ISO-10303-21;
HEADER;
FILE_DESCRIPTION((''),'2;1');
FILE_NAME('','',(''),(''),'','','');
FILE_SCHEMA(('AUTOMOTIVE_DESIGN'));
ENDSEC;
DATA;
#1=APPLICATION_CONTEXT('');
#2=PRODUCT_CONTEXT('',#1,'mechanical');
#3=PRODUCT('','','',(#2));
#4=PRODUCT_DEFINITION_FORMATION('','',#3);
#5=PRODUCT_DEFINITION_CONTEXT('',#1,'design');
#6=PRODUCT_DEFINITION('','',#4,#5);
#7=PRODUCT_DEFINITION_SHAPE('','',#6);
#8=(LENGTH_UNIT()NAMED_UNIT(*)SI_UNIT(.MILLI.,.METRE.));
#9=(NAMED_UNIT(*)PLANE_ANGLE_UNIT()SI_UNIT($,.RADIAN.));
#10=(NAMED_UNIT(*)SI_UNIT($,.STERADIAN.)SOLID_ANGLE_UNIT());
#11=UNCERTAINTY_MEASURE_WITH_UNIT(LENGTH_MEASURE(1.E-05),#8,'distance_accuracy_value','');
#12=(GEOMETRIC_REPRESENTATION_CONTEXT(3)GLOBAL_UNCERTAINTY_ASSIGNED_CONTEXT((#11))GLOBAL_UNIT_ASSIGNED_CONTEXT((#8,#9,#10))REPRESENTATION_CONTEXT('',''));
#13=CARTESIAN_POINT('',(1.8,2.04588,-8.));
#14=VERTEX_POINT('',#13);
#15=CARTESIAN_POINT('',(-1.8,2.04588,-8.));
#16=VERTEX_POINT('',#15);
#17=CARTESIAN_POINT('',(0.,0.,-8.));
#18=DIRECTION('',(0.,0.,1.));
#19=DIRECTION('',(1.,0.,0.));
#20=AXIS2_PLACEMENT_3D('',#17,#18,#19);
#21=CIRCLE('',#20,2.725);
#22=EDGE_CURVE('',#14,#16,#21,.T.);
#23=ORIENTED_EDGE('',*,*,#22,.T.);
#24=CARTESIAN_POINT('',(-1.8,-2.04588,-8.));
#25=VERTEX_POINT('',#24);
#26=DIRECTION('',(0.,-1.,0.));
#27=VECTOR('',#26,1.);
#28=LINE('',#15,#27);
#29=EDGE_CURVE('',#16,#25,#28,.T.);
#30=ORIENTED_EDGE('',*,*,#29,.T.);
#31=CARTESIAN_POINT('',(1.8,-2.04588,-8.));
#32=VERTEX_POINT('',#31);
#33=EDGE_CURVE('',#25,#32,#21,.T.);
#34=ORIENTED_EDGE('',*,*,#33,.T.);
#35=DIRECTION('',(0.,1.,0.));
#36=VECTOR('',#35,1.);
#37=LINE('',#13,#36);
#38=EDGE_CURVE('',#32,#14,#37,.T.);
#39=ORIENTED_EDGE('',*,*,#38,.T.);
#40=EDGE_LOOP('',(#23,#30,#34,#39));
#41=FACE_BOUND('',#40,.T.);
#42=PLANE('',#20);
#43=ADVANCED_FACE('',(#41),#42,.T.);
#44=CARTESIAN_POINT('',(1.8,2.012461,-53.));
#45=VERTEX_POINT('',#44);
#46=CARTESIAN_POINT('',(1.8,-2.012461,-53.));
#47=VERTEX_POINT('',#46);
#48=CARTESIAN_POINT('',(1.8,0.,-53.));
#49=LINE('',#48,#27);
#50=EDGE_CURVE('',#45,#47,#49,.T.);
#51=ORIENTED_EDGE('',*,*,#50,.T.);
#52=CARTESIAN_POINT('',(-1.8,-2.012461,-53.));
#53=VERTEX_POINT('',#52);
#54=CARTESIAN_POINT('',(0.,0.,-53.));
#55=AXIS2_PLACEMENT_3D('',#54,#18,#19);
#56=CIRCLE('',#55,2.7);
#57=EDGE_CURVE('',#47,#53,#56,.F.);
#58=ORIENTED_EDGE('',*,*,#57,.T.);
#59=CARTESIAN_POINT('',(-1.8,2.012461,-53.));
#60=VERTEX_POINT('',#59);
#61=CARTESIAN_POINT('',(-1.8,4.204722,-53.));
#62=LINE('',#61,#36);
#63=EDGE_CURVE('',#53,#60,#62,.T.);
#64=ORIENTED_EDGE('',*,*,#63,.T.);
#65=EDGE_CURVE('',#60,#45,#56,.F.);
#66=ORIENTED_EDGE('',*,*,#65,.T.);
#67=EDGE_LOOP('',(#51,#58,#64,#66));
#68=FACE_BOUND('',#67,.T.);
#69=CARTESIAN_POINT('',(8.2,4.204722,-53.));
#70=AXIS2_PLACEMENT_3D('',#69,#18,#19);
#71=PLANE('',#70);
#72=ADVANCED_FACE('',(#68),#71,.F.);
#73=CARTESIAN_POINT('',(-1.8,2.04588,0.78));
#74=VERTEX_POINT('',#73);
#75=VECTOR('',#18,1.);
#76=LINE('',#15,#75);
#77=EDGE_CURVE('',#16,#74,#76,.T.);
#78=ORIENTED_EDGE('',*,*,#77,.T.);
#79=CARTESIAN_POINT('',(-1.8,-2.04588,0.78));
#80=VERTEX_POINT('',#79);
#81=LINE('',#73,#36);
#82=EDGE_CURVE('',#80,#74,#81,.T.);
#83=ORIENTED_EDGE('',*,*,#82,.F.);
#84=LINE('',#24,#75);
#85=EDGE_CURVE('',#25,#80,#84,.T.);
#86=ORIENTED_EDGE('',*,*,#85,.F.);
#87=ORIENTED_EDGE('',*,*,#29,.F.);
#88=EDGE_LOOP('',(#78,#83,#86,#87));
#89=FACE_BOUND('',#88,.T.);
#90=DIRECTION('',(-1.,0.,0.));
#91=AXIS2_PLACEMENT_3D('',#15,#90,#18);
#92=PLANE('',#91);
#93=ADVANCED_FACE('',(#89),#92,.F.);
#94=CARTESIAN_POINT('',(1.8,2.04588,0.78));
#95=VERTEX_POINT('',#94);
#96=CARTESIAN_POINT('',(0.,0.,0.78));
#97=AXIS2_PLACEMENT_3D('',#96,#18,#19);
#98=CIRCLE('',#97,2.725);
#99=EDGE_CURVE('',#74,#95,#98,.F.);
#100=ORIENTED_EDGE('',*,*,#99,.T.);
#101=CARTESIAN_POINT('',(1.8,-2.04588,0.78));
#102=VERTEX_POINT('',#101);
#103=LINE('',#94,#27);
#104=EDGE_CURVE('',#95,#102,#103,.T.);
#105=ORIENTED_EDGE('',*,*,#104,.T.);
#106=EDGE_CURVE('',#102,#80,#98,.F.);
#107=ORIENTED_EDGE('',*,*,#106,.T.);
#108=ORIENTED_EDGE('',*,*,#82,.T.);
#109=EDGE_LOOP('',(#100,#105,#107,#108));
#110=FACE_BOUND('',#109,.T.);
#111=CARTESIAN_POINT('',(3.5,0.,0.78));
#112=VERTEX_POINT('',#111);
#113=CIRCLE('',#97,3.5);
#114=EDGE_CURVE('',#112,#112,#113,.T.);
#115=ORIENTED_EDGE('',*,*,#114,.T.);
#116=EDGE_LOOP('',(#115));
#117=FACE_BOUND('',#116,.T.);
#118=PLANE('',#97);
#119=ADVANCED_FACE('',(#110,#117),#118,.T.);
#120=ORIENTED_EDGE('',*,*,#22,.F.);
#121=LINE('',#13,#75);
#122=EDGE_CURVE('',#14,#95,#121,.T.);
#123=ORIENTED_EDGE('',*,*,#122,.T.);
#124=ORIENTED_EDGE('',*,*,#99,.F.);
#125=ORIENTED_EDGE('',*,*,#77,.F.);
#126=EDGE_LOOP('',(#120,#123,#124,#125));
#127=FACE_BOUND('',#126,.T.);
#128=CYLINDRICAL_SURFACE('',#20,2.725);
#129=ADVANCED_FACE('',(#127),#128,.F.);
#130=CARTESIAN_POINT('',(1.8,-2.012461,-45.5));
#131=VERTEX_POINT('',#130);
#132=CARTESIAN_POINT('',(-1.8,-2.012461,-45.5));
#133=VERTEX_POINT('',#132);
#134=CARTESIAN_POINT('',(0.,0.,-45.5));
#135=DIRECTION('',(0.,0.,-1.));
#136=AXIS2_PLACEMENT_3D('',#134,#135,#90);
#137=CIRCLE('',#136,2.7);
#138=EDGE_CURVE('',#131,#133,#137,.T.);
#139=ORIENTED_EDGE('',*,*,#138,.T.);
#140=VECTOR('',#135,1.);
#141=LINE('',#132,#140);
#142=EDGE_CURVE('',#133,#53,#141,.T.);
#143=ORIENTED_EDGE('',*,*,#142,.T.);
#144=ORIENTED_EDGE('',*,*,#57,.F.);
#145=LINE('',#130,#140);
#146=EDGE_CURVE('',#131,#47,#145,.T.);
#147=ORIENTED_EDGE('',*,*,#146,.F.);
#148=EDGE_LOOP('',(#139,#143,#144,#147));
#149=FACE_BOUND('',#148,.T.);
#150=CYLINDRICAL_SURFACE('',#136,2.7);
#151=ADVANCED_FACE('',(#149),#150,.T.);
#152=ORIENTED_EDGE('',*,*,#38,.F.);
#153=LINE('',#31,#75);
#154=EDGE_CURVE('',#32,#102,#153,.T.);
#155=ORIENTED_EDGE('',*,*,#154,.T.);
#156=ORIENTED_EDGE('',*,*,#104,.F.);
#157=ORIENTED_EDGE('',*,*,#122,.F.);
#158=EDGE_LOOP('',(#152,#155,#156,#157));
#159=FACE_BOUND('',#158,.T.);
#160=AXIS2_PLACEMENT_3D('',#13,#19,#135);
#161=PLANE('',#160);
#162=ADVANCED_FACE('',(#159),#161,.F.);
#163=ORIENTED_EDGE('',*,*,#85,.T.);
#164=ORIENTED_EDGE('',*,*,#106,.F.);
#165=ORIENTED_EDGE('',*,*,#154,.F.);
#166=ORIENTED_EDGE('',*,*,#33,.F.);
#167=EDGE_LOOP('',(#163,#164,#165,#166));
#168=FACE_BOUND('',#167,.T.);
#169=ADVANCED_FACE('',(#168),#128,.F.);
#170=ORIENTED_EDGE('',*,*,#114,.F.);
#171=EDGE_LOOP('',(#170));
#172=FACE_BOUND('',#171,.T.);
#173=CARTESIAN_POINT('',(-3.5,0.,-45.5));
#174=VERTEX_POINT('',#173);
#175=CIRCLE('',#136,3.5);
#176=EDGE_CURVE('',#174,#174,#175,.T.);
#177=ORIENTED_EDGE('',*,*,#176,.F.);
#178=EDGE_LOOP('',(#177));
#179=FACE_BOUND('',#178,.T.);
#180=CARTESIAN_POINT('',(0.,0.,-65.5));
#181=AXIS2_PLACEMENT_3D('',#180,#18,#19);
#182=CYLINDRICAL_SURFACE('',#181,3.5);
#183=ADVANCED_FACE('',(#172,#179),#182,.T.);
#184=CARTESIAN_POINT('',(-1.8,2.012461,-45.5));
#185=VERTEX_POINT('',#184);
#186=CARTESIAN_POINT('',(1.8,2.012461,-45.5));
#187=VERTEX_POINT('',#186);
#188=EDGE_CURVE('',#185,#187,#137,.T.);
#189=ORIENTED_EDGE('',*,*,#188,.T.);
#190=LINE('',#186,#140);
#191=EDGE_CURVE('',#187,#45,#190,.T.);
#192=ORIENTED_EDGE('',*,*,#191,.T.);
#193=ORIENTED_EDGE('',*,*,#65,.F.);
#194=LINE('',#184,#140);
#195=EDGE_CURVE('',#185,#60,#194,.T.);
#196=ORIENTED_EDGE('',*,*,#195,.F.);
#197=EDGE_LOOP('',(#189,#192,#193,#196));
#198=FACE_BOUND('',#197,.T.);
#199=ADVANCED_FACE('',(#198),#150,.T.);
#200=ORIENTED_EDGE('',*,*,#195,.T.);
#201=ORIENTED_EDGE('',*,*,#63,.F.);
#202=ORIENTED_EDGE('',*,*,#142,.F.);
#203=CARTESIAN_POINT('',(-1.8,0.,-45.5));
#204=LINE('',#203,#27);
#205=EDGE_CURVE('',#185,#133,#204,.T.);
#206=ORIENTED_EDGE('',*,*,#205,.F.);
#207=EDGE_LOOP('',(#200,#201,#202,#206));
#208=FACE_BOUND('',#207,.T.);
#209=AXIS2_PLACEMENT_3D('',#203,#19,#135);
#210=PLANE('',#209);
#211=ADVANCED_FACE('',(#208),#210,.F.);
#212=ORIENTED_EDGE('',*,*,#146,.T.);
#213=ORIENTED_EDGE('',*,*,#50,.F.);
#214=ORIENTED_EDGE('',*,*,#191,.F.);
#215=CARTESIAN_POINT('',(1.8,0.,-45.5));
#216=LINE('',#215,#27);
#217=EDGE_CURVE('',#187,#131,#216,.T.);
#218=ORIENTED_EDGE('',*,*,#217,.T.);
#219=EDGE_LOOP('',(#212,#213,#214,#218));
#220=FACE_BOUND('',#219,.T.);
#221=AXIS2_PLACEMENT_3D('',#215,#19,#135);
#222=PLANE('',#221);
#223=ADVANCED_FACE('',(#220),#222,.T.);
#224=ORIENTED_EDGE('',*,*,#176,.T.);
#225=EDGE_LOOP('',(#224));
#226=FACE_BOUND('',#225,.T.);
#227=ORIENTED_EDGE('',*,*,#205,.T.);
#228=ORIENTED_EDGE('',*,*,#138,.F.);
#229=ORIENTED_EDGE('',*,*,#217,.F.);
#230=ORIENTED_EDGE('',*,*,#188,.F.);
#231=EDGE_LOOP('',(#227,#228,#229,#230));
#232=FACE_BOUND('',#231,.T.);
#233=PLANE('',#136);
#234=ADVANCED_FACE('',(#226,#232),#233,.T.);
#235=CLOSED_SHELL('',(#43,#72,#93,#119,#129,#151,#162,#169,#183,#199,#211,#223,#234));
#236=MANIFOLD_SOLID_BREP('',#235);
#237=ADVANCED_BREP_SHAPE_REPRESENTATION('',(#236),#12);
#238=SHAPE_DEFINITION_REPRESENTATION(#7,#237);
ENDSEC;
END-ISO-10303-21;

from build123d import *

# Parameters (mm, degrees)
CROQUIS1_R              = 3.5
SALIENTE_EXTRUIR1_DEPTH = 65.5
CORTAR_EXTRUIR3_DEPTH   = 8
CORTAR_EXTRUIR5_START   = -20
CROQUIS7_R              = 3.5
CORTAR_EXTRUIR5_DEPTH   = 20
CROQUIS8_W              = 12.617225576
CROQUIS8_H              = 9.28288649
CORTAR_EXTRUIR6_DEPTH   = 10
SALIENTE_EXTRUIR2_START = 2.5
CROQUIS10_R             = 3.5
SALIENTE_EXTRUIR2_DEPTH = 2.5
CROQUIS11_R             = 3.5
CORTAR_EXTRUIR7_DEPTH   = 1.72


with BuildPart() as part:
    # Croquis1 → Saliente-Extruir1 (new body)
    with BuildSketch(Plane.XY):
        Circle(CROQUIS1_R)
    extrude(amount=-SALIENTE_EXTRUIR1_DEPTH)

    # Croquis6 → Cortar-Extruir3 (cut)
    with BuildSketch(Plane.XY):
        with BuildLine():
            Line((-1.8, 2.045880006), (-1.8, -2.045880006))
            ThreePointArc((-1.8, -2.045880006), (0, -2.725), (1.8, -2.045880006))
            Line((1.8, -2.045880006), (1.8, 2.045880006))
            ThreePointArc((1.8, 2.045880006), (0, 2.725), (-1.8, 2.045880006))
        make_face()
    extrude(amount=-CORTAR_EXTRUIR3_DEPTH, mode=Mode.SUBTRACT)

    # Croquis7 → Cortar-Extruir5 (cut)
    with BuildSketch(Plane(origin=(0, 0, -65.5), x_dir=(-1, 0, 0), z_dir=(0, 0, -1)).offset(CORTAR_EXTRUIR5_START)):
        with Locations(Location((0, 0, 0), (0, 0, 180))):
            Circle(CROQUIS7_R)
        with BuildLine():
            ThreePointArc((1.8, 2.01246118), (0, 2.7), (-1.8, 2.01246118))
            Line((-1.8, 2.01246118), (-1.8, -2.01246118))
            ThreePointArc((-1.8, -2.01246118), (0, -2.7), (1.8, -2.01246118))
            Line((1.8, -2.01246118), (1.8, 2.01246118))
        make_face(mode=Mode.SUBTRACT)
    extrude(amount=CORTAR_EXTRUIR5_DEPTH, mode=Mode.SUBTRACT)

    # Croquis8 → Cortar-Extruir6 (cut)
    with BuildSketch(Plane.ZY.offset(1.8)):
        with Locations((-59.308612788, -0.436721269)):
            Rectangle(CROQUIS8_W, CROQUIS8_H)
    extrude(amount=-CORTAR_EXTRUIR6_DEPTH, mode=Mode.SUBTRACT)

    # Croquis10 → Saliente-Extruir2 (add)
    with BuildSketch(Plane.XY.offset(SALIENTE_EXTRUIR2_START)):
        Circle(CROQUIS10_R)
        with BuildLine():
            Line((-1.8, 2.045880006), (-1.8, -2.045880006))
            ThreePointArc((-1.8, -2.045880006), (0, -2.725), (1.8, -2.045880006))
            Line((1.8, -2.045880006), (1.8, 2.045880006))
            ThreePointArc((1.8, 2.045880006), (0, 2.725), (-1.8, 2.045880006))
        make_face(mode=Mode.SUBTRACT)
    extrude(amount=-SALIENTE_EXTRUIR2_DEPTH)

    # Croquis11 → Cortar-Extruir7 (cut)
    with BuildSketch(Plane.XY.offset(2.5)):
        Circle(CROQUIS11_R)
    extrude(amount=-CORTAR_EXTRUIR7_DEPTH, mode=Mode.SUBTRACT)


solid = part.part
